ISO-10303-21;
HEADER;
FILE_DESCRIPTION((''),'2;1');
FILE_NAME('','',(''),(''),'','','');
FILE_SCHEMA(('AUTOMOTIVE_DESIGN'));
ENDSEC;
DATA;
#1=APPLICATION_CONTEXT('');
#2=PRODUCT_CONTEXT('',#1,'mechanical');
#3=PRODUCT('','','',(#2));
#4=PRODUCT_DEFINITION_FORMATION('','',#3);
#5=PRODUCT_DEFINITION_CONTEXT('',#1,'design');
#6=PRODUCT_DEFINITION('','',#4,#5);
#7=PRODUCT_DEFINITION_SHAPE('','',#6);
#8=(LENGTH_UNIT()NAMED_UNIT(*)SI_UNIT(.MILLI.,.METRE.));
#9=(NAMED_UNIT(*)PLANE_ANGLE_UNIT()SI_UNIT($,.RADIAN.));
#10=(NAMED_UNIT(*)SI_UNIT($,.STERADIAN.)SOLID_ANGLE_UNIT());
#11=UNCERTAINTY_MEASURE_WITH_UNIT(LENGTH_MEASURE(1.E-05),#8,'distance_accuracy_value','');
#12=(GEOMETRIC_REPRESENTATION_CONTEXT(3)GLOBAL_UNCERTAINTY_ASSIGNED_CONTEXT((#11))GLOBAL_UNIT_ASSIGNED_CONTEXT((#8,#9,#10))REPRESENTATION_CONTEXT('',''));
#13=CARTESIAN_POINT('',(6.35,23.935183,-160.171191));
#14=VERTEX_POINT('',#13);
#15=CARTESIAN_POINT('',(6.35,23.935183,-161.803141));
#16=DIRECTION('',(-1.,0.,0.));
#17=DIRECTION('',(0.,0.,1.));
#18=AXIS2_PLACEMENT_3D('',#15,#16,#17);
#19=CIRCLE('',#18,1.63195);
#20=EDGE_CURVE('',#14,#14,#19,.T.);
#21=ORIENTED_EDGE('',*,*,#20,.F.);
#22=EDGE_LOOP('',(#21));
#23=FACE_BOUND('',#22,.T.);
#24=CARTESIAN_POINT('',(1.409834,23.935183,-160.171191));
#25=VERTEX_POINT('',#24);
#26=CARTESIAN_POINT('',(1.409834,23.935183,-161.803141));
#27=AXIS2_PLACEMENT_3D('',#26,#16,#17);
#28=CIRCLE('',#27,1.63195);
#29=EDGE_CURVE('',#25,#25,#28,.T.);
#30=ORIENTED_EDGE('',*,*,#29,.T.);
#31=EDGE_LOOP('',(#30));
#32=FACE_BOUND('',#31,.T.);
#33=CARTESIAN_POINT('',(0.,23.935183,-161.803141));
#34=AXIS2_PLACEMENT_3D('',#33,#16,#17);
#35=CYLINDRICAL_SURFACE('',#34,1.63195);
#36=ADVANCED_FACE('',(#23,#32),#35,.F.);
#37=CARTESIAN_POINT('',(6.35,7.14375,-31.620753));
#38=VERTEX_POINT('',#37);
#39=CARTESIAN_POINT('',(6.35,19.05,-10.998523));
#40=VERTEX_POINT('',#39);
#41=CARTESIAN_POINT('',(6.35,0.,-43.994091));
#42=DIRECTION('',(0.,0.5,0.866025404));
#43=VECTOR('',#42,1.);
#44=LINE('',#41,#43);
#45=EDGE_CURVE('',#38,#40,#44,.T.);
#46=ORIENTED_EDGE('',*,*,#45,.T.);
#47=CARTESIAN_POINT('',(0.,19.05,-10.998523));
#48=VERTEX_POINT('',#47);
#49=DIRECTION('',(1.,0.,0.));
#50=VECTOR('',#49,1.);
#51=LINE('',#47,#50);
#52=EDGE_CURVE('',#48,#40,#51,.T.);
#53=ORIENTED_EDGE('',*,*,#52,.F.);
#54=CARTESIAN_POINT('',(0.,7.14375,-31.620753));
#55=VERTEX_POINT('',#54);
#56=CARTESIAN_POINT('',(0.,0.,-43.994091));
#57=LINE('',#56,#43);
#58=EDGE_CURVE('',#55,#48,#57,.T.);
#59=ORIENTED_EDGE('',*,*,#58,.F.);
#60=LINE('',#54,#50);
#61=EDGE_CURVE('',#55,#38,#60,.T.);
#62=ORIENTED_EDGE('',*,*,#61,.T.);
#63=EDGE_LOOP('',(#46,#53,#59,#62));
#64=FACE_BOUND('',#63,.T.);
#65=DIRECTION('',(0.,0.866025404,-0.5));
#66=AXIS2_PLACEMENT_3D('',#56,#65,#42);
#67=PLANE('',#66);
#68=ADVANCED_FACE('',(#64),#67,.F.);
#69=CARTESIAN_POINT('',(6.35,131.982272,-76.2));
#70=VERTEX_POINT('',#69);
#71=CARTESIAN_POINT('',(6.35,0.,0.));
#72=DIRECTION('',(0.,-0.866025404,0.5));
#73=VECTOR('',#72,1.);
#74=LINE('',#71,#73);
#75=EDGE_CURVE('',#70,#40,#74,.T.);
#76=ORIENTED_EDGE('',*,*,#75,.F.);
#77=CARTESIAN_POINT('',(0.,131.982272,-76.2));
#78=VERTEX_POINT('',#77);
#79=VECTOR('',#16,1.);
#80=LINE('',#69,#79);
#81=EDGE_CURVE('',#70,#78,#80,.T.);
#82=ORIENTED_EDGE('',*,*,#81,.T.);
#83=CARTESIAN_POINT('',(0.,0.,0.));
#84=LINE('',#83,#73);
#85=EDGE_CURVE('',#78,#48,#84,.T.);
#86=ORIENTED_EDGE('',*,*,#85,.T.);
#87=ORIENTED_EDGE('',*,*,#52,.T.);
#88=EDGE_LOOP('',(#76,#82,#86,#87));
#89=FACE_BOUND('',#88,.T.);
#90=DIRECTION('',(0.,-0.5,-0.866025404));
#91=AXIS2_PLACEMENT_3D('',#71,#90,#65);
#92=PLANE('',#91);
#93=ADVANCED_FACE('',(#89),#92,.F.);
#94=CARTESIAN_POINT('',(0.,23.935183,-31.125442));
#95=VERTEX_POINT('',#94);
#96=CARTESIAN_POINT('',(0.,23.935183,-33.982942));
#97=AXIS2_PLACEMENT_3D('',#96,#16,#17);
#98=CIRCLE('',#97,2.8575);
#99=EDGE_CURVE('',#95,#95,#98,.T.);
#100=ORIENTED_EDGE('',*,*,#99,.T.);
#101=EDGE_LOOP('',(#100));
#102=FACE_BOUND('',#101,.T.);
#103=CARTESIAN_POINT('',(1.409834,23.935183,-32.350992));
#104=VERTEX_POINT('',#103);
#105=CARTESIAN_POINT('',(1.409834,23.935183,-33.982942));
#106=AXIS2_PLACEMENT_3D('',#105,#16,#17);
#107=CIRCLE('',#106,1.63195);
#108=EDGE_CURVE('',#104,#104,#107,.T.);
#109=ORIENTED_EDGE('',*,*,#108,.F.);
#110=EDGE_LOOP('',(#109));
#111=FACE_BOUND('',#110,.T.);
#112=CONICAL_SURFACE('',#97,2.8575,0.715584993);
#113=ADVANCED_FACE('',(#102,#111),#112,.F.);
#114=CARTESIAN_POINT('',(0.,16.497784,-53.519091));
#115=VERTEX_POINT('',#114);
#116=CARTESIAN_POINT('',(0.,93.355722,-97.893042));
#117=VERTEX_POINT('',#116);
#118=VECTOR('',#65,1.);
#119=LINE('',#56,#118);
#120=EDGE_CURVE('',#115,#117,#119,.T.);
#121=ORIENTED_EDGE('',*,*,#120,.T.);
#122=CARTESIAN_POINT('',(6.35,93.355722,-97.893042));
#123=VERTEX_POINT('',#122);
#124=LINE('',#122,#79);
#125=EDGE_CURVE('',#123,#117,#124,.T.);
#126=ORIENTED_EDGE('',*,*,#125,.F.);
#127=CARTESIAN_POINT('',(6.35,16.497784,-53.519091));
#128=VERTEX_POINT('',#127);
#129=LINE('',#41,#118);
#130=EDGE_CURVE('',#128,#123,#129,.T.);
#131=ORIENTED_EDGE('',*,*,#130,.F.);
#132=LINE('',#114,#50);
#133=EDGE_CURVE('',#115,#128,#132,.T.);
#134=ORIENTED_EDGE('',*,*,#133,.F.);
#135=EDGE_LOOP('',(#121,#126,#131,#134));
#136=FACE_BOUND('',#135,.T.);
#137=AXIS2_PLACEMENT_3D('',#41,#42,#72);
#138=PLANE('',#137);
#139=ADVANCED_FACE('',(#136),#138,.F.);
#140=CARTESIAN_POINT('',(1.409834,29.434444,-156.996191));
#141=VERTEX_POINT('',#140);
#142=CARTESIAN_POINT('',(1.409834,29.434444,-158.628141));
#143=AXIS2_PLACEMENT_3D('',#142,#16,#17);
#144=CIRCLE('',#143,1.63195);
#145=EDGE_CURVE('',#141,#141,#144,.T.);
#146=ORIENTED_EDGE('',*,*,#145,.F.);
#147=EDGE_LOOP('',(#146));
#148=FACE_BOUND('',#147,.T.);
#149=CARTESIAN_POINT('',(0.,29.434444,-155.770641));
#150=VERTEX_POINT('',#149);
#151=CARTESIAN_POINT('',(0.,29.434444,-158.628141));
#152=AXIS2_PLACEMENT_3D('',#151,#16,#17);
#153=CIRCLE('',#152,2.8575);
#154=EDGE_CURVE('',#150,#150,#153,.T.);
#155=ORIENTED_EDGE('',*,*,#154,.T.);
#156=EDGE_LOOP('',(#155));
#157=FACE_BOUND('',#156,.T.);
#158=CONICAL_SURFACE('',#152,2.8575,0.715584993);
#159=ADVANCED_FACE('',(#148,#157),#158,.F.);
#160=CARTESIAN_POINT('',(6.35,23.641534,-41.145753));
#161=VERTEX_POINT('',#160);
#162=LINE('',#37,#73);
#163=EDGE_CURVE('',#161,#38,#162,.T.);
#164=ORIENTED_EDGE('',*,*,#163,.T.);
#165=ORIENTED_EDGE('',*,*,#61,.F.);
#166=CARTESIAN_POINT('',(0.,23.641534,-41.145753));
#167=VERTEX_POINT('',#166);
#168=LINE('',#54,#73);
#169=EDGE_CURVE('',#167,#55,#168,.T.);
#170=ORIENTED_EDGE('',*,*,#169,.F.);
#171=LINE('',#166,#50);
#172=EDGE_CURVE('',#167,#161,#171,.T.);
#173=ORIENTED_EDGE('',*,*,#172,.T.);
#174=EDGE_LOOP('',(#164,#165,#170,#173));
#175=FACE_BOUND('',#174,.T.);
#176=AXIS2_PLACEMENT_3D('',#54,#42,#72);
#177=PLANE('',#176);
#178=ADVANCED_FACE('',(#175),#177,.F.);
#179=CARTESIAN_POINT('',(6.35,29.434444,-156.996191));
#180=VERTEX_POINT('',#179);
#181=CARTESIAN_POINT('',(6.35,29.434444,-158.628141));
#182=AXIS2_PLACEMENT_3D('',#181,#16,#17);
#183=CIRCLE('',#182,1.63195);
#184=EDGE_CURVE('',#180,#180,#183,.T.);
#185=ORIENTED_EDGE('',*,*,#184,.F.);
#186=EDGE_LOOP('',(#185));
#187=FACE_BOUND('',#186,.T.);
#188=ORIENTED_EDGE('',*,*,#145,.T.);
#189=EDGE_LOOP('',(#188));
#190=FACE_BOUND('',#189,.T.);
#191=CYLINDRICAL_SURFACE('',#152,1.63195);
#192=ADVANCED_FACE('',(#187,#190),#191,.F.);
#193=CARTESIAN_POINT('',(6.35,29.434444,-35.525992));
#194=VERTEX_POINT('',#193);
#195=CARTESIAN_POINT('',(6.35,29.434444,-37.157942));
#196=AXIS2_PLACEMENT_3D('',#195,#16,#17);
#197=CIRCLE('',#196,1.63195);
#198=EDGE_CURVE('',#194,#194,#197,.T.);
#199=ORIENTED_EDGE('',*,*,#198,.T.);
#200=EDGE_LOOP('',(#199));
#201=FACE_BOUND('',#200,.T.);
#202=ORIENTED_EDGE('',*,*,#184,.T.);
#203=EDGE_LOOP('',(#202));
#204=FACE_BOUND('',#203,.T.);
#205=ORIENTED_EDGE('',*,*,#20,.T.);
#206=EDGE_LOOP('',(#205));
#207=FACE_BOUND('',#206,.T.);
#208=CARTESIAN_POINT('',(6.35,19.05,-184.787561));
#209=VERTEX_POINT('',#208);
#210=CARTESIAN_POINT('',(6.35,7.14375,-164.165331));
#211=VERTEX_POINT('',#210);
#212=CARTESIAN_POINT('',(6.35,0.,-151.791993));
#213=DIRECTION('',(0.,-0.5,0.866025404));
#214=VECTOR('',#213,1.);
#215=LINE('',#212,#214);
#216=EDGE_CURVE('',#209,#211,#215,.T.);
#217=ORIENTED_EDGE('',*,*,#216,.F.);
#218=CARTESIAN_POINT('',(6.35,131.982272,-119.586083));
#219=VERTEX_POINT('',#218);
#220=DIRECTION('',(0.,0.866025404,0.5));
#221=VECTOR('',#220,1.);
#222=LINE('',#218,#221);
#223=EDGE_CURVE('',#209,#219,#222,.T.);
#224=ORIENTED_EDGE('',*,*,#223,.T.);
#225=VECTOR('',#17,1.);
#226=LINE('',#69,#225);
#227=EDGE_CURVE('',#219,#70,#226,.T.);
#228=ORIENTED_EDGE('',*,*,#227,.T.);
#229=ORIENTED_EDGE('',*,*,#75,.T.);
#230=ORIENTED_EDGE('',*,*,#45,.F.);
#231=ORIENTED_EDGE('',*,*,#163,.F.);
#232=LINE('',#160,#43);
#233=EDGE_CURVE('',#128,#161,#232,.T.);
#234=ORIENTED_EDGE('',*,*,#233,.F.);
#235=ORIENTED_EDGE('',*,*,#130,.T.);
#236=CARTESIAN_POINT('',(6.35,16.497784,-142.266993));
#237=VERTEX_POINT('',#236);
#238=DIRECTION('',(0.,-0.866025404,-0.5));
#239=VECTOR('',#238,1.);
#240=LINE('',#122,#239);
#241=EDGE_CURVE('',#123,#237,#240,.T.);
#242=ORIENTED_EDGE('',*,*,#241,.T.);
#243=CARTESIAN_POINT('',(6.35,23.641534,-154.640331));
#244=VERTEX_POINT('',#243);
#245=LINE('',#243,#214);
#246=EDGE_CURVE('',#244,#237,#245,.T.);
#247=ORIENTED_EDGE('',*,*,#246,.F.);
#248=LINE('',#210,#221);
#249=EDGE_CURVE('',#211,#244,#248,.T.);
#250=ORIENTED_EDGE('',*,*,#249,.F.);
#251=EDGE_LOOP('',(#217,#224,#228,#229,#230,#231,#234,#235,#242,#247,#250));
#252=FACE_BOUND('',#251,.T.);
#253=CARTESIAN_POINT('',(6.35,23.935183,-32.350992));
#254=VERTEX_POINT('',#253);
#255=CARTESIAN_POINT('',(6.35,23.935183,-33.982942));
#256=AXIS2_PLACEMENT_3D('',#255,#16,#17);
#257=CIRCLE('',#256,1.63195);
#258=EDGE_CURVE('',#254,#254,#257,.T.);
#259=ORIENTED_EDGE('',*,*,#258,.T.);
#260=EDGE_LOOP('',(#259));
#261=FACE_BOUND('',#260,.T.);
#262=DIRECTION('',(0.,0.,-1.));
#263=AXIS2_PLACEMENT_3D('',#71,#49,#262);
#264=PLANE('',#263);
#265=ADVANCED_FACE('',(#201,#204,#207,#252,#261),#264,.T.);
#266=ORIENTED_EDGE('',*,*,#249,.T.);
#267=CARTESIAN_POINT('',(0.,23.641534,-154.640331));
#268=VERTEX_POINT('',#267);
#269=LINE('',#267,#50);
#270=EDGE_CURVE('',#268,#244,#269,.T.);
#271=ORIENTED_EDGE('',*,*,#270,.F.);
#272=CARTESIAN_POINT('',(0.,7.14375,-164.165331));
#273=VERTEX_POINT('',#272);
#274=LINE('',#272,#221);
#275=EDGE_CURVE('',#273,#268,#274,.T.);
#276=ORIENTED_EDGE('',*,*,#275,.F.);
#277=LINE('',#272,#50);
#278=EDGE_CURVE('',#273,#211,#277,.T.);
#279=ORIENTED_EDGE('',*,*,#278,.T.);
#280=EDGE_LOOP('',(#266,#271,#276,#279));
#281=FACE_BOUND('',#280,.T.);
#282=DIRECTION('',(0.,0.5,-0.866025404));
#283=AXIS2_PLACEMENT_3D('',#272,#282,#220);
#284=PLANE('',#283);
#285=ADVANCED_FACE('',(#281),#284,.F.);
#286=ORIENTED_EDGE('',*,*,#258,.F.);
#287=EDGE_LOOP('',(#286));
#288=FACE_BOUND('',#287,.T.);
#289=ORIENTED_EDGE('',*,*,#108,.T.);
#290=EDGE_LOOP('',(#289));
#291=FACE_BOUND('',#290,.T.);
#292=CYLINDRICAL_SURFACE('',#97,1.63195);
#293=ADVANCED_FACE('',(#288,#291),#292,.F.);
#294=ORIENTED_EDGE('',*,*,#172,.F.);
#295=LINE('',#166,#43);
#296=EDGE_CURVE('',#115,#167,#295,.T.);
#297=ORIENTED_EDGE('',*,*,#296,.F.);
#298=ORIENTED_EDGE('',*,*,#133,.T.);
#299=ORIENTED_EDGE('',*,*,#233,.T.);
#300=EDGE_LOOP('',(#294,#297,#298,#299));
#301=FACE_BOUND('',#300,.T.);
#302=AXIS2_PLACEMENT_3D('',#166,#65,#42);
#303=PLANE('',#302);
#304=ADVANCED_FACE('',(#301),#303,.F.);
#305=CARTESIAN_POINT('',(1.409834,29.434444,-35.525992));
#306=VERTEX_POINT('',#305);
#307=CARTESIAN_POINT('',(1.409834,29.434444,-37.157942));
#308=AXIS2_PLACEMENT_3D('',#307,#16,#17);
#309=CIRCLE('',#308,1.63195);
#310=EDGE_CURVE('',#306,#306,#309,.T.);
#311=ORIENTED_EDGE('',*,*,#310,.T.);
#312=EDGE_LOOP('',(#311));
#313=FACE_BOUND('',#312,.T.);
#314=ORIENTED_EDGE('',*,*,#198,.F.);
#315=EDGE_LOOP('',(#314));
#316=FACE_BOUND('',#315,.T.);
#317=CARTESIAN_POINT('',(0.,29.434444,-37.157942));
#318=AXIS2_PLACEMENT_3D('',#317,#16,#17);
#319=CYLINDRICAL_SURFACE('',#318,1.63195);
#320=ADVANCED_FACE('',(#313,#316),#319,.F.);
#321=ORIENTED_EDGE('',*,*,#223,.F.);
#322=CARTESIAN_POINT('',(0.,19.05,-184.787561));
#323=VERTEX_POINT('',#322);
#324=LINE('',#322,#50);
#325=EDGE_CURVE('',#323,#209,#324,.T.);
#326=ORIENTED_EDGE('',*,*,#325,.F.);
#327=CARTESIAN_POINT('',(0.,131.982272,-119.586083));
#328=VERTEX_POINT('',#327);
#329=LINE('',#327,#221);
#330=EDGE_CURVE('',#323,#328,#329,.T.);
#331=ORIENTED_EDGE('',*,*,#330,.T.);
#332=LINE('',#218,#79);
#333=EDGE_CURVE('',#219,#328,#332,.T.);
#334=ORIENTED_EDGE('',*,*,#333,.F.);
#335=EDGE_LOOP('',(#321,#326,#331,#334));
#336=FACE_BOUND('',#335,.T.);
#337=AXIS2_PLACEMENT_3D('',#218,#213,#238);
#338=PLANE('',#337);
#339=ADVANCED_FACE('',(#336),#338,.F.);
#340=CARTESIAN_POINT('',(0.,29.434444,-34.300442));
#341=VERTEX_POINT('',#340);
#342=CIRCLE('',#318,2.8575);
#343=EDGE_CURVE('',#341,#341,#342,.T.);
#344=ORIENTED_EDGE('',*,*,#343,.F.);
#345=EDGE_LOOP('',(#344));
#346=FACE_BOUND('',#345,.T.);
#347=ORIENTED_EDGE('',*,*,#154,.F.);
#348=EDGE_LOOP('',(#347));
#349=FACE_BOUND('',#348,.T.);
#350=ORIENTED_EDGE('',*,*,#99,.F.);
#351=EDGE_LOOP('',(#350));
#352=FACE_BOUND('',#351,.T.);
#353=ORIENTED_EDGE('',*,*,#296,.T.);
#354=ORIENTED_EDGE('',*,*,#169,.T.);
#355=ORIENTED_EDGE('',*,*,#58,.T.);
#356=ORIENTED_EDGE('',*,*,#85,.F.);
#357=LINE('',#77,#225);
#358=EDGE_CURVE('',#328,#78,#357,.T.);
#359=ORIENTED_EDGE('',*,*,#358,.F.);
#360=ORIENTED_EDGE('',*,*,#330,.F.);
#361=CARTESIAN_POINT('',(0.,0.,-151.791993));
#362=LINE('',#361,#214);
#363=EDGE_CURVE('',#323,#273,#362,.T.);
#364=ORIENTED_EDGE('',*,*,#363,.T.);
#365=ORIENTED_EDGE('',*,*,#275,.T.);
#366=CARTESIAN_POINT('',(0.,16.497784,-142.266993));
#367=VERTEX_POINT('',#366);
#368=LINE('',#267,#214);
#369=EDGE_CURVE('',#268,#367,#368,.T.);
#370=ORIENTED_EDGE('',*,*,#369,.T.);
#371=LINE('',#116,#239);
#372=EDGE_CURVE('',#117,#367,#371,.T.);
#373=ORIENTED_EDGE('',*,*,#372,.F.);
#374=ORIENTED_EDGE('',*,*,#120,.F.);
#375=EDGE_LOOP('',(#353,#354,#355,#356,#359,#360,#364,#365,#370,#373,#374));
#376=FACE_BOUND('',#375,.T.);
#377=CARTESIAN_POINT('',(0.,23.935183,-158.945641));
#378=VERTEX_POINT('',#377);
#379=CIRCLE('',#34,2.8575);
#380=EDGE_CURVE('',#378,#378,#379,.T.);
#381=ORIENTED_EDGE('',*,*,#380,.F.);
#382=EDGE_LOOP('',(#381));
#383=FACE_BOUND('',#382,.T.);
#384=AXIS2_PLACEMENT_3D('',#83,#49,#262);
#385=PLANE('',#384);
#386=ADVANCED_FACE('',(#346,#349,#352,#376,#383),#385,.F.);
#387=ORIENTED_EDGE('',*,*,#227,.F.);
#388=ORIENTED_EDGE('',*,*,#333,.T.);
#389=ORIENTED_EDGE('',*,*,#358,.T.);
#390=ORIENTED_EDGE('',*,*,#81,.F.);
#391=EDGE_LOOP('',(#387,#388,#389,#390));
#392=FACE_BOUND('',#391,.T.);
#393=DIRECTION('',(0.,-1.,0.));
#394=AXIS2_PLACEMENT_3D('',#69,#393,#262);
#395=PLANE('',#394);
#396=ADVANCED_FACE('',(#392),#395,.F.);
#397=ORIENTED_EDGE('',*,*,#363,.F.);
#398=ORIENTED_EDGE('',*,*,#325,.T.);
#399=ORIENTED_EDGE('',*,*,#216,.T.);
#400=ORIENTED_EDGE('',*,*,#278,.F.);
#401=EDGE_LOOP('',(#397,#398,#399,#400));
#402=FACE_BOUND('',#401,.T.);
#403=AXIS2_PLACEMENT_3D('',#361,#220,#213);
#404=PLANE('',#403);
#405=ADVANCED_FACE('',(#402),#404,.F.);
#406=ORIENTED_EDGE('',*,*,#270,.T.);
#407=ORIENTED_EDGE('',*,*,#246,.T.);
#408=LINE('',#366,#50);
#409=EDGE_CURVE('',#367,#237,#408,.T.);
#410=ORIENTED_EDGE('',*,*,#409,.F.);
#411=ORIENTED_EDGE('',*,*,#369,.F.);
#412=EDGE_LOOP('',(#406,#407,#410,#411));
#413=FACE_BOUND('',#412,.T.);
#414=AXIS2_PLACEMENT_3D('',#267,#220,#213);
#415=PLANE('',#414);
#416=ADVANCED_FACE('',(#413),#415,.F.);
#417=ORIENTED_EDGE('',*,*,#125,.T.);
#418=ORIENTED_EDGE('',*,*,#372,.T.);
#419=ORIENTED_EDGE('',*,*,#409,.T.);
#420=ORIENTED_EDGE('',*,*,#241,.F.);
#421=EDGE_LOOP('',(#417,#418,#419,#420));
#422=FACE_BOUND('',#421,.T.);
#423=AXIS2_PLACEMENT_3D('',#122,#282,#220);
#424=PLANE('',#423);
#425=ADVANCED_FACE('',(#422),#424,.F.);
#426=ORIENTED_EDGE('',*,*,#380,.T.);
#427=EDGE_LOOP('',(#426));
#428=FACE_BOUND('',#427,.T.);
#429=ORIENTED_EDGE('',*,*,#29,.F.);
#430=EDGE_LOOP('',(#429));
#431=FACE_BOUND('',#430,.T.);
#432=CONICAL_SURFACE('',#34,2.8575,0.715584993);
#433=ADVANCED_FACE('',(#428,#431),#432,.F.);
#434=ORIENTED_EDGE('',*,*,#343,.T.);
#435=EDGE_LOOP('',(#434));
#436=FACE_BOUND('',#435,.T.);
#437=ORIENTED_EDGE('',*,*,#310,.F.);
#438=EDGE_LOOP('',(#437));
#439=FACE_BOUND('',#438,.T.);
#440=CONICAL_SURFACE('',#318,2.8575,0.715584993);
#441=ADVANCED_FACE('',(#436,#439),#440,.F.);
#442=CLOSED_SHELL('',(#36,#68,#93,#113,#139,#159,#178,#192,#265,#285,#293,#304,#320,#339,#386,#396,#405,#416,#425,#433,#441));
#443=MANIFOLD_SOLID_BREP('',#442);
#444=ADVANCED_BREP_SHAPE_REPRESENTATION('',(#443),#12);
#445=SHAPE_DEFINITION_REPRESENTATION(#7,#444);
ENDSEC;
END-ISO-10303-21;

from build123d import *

# Parameters (mm, degrees)
BOSS_EXTRUDE1_DEPTH                            = 6.35
CUT_EXTRUDE1_DEPTH                             = 237.202948439
CUT_EXTRUDE2_DEPTH                             = 237.202948439
CUT_EXTRUDE3_DEPTH                             = 237.202948439
CUT_EXTRUDE4_DEPTH                             = 228.16972734
CSK_FOR_4_FLAT_HEAD_MACHINE_SCREW1_D           = 3.2639
CSK_FOR_4_FLAT_HEAD_MACHINE_SCREW1_CSINK_D     = 5.715
CSK_FOR_4_FLAT_HEAD_MACHINE_SCREW1_CSINK_ANGLE = 82
CSK_FOR_4_FLAT_HEAD_MACHINE_SCREW2_D           = 3.2639
CSK_FOR_4_FLAT_HEAD_MACHINE_SCREW2_CSINK_D     = 5.715
CSK_FOR_4_FLAT_HEAD_MACHINE_SCREW2_CSINK_ANGLE = 82
CSK_FOR_4_FLAT_HEAD_MACHINE_SCREW3_D           = 3.2639
CSK_FOR_4_FLAT_HEAD_MACHINE_SCREW3_CSINK_D     = 5.715
CSK_FOR_4_FLAT_HEAD_MACHINE_SCREW3_CSINK_ANGLE = 82


with BuildPart() as part:
    # Sketch1 → Boss-Extrude1 (new body)
    with BuildSketch(Plane(origin=(0, 0, 0), x_dir=(0, 0, -1), z_dir=(1, 0, 0))):
        Polygon((0, 0), (76.2, 131.982271537), (119.58608314, 131.982271537), (195.78608314, 0), (151.791992628, 0), (97.89304157, 93.355721707), (43.994090512, 0), align=None)
    extrude(amount=BOSS_EXTRUDE1_DEPTH)

    # Sketch2 → Cut-Extrude1 (cut, through all)
    with BuildSketch(Plane(origin=(6.35, 0, 0), x_dir=(0, 0, -1), z_dir=(1, 0, 0))):
        Polygon((43.994090512, 0), (10.998522628, 19.05), (0, 0), align=None)
    extrude(amount=-CUT_EXTRUDE1_DEPTH, mode=Mode.SUBTRACT)

    # Sketch3 → Cut-Extrude2 (cut, through all)
    with BuildSketch(Plane(origin=(6.35, 0, 0), x_dir=(0, 0, -1), z_dir=(1, 0, 0))):
        Polygon((43.994090512, 0), (31.620752556, 7.14375), (41.145752556, 23.641533942), (53.519090512, 16.497783942), align=None)
    extrude(amount=-CUT_EXTRUDE2_DEPTH, mode=Mode.SUBTRACT)

    # Sketch4 → Cut-Extrude3 (cut, through all)
    with BuildSketch(Plane(origin=(6.35, 0, 0), x_dir=(0, 0, -1), z_dir=(1, 0, 0))):
        Polygon((151.791992628, 0), (184.787560512, 19.05), (195.78608314, 0), align=None)
    extrude(amount=-CUT_EXTRUDE3_DEPTH, mode=Mode.SUBTRACT)

    # Sketch5 → Cut-Extrude4 (cut, through all)
    with BuildSketch(Plane(origin=(6.35, 0, 0), x_dir=(0, 0, -1), z_dir=(1, 0, 0))):
        Polygon((151.791992628, 0), (164.165330584, 7.14375), (154.640330584, 23.641533942), (142.266992628, 16.497783942), align=None)
    extrude(amount=-CUT_EXTRUDE4_DEPTH, mode=Mode.SUBTRACT)

    # CSK for #4 Flat Head Machine Screw1 (through all)
    with Locations(Plane.ZY):
        with Locations((-161.803140841, 23.935182653)):
            CounterSinkHole(CSK_FOR_4_FLAT_HEAD_MACHINE_SCREW1_D / 2, CSK_FOR_4_FLAT_HEAD_MACHINE_SCREW1_CSINK_D / 2, counter_sink_angle=CSK_FOR_4_FLAT_HEAD_MACHINE_SCREW1_CSINK_ANGLE)

    # CSK for #4 Flat Head Machine Screw2 (through all)
    with Locations(Plane.ZY):
        with Locations((-158.628140841, 29.434443967)):
            CounterSinkHole(CSK_FOR_4_FLAT_HEAD_MACHINE_SCREW2_D / 2, CSK_FOR_4_FLAT_HEAD_MACHINE_SCREW2_CSINK_D / 2, counter_sink_angle=CSK_FOR_4_FLAT_HEAD_MACHINE_SCREW2_CSINK_ANGLE)

    # CSK for #4 Flat Head Machine Screw3 (through all)
    with Locations(Plane.ZY):
        with Locations((-37.157942299, 29.434443967), (-33.982942299, 23.935182653)):
            CounterSinkHole(CSK_FOR_4_FLAT_HEAD_MACHINE_SCREW3_D / 2, CSK_FOR_4_FLAT_HEAD_MACHINE_SCREW3_CSINK_D / 2, counter_sink_angle=CSK_FOR_4_FLAT_HEAD_MACHINE_SCREW3_CSINK_ANGLE)


solid = part.part
